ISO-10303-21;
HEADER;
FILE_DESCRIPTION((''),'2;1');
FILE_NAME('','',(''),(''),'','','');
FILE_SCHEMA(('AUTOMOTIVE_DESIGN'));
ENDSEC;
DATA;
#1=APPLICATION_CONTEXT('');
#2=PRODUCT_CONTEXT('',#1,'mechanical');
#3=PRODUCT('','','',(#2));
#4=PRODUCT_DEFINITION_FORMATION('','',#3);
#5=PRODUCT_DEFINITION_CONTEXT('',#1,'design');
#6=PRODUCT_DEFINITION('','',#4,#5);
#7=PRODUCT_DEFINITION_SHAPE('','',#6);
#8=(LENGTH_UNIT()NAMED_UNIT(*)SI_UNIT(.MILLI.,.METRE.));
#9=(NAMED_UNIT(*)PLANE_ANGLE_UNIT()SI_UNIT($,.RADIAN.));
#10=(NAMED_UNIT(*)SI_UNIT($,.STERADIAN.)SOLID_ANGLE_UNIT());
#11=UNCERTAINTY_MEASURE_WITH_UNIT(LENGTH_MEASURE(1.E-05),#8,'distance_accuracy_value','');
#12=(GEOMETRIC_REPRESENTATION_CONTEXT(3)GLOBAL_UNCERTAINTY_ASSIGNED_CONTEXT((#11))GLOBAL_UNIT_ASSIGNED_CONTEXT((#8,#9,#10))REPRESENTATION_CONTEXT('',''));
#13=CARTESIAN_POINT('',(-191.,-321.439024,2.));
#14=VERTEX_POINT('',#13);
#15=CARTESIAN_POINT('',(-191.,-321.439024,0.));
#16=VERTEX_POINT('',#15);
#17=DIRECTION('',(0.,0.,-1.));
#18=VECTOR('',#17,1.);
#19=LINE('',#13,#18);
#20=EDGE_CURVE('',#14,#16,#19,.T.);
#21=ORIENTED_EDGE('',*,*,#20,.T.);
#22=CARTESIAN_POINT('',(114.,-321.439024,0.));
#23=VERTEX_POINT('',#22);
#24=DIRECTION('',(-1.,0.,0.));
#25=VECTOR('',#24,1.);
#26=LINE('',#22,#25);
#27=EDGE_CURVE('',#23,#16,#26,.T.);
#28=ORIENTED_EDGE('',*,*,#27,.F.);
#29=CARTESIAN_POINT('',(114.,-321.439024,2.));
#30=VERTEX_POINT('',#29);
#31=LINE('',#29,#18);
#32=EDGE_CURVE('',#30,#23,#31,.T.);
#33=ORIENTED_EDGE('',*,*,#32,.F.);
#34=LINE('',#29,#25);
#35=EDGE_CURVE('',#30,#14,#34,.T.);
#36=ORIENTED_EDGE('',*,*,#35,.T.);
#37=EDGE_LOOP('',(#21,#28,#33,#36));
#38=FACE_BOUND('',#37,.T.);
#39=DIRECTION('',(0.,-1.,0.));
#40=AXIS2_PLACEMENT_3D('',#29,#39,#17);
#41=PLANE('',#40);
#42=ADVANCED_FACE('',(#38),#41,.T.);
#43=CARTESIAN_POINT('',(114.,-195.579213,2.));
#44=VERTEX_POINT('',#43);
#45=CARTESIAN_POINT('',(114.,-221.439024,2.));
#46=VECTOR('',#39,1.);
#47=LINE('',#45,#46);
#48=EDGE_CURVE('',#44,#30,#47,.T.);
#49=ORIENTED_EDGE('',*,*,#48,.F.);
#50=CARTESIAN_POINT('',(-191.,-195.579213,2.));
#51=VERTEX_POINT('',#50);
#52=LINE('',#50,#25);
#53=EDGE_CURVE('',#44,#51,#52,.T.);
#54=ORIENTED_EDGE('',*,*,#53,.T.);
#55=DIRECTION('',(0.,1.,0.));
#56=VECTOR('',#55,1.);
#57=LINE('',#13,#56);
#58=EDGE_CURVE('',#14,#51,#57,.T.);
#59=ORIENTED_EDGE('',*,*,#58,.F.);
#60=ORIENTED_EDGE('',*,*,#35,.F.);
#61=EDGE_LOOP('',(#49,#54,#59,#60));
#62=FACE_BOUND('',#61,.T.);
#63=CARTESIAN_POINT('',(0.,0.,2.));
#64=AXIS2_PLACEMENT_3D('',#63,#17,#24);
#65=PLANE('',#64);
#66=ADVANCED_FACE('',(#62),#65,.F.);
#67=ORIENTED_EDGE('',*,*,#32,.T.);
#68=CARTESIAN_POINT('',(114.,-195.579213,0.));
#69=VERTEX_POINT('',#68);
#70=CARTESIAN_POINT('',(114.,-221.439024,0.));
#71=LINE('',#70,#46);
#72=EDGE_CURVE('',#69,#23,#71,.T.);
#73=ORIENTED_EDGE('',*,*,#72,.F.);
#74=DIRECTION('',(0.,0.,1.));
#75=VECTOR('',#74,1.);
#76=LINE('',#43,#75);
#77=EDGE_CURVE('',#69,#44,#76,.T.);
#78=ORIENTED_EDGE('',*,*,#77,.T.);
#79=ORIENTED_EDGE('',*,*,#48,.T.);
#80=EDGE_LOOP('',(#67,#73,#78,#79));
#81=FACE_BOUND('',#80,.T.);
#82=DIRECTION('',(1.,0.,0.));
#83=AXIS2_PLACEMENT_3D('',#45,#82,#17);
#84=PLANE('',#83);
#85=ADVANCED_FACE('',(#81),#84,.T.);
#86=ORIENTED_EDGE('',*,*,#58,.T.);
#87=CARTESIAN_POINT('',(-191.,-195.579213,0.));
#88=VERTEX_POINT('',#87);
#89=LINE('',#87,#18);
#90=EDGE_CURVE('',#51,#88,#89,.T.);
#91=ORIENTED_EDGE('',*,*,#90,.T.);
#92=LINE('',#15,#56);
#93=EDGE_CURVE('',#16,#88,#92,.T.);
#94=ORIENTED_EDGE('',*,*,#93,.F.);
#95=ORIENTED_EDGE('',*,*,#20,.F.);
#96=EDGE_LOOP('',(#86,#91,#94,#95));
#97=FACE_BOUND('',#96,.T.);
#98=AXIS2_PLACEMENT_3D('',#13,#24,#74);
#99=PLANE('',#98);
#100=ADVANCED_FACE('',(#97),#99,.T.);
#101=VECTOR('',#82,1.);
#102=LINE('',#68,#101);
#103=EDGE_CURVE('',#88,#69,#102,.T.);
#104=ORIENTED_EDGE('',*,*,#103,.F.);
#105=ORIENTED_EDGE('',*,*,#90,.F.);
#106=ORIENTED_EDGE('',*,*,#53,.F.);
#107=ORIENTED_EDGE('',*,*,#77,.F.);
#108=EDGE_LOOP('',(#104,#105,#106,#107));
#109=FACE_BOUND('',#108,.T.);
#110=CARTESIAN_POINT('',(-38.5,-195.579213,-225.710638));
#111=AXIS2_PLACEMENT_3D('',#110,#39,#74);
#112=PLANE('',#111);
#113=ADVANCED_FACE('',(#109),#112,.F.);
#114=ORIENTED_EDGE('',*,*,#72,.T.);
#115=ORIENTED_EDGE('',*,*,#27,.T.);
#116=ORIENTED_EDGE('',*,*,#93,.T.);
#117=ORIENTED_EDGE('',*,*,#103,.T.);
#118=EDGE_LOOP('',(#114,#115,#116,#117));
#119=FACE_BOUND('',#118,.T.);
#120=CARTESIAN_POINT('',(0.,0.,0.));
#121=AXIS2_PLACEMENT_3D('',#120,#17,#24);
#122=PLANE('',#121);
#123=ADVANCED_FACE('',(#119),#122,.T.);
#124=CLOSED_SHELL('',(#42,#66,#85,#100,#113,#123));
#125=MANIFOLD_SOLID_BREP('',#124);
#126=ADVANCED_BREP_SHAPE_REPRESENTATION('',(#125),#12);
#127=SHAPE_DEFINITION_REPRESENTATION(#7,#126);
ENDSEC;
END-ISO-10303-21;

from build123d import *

# Parameters (mm, degrees)
SKETCH1_W           = 305
SKETCH1_H           = 100
BOSS_EXTRUDE1_DEPTH = 2
SKETCH2_W           = 305
SKETCH2_H           = 2
BOSS_EXTRUDE2_DEPTH = 25.859811782


with BuildPart() as part:
    # Sketch1 → Boss-Extrude1 (new body)
    with BuildSketch(Plane(origin=(0, 0, 0), x_dir=(-1, 0, 0), z_dir=(0, 0, -1))):
        with Locations((38.5, -271.43902439)):
            Rectangle(SKETCH1_W, SKETCH1_H)
    extrude(amount=-BOSS_EXTRUDE1_DEPTH)

    # Sketch2 → Boss-Extrude2 (add)
    with BuildSketch(Plane(origin=(0, -221.43902439, 0), x_dir=(1, 0, 0), z_dir=(0, 1, 0))):
        with Locations((-38.5, -1)):
            Rectangle(SKETCH2_W, SKETCH2_H)
    extrude(amount=BOSS_EXTRUDE2_DEPTH)


solid = part.part
